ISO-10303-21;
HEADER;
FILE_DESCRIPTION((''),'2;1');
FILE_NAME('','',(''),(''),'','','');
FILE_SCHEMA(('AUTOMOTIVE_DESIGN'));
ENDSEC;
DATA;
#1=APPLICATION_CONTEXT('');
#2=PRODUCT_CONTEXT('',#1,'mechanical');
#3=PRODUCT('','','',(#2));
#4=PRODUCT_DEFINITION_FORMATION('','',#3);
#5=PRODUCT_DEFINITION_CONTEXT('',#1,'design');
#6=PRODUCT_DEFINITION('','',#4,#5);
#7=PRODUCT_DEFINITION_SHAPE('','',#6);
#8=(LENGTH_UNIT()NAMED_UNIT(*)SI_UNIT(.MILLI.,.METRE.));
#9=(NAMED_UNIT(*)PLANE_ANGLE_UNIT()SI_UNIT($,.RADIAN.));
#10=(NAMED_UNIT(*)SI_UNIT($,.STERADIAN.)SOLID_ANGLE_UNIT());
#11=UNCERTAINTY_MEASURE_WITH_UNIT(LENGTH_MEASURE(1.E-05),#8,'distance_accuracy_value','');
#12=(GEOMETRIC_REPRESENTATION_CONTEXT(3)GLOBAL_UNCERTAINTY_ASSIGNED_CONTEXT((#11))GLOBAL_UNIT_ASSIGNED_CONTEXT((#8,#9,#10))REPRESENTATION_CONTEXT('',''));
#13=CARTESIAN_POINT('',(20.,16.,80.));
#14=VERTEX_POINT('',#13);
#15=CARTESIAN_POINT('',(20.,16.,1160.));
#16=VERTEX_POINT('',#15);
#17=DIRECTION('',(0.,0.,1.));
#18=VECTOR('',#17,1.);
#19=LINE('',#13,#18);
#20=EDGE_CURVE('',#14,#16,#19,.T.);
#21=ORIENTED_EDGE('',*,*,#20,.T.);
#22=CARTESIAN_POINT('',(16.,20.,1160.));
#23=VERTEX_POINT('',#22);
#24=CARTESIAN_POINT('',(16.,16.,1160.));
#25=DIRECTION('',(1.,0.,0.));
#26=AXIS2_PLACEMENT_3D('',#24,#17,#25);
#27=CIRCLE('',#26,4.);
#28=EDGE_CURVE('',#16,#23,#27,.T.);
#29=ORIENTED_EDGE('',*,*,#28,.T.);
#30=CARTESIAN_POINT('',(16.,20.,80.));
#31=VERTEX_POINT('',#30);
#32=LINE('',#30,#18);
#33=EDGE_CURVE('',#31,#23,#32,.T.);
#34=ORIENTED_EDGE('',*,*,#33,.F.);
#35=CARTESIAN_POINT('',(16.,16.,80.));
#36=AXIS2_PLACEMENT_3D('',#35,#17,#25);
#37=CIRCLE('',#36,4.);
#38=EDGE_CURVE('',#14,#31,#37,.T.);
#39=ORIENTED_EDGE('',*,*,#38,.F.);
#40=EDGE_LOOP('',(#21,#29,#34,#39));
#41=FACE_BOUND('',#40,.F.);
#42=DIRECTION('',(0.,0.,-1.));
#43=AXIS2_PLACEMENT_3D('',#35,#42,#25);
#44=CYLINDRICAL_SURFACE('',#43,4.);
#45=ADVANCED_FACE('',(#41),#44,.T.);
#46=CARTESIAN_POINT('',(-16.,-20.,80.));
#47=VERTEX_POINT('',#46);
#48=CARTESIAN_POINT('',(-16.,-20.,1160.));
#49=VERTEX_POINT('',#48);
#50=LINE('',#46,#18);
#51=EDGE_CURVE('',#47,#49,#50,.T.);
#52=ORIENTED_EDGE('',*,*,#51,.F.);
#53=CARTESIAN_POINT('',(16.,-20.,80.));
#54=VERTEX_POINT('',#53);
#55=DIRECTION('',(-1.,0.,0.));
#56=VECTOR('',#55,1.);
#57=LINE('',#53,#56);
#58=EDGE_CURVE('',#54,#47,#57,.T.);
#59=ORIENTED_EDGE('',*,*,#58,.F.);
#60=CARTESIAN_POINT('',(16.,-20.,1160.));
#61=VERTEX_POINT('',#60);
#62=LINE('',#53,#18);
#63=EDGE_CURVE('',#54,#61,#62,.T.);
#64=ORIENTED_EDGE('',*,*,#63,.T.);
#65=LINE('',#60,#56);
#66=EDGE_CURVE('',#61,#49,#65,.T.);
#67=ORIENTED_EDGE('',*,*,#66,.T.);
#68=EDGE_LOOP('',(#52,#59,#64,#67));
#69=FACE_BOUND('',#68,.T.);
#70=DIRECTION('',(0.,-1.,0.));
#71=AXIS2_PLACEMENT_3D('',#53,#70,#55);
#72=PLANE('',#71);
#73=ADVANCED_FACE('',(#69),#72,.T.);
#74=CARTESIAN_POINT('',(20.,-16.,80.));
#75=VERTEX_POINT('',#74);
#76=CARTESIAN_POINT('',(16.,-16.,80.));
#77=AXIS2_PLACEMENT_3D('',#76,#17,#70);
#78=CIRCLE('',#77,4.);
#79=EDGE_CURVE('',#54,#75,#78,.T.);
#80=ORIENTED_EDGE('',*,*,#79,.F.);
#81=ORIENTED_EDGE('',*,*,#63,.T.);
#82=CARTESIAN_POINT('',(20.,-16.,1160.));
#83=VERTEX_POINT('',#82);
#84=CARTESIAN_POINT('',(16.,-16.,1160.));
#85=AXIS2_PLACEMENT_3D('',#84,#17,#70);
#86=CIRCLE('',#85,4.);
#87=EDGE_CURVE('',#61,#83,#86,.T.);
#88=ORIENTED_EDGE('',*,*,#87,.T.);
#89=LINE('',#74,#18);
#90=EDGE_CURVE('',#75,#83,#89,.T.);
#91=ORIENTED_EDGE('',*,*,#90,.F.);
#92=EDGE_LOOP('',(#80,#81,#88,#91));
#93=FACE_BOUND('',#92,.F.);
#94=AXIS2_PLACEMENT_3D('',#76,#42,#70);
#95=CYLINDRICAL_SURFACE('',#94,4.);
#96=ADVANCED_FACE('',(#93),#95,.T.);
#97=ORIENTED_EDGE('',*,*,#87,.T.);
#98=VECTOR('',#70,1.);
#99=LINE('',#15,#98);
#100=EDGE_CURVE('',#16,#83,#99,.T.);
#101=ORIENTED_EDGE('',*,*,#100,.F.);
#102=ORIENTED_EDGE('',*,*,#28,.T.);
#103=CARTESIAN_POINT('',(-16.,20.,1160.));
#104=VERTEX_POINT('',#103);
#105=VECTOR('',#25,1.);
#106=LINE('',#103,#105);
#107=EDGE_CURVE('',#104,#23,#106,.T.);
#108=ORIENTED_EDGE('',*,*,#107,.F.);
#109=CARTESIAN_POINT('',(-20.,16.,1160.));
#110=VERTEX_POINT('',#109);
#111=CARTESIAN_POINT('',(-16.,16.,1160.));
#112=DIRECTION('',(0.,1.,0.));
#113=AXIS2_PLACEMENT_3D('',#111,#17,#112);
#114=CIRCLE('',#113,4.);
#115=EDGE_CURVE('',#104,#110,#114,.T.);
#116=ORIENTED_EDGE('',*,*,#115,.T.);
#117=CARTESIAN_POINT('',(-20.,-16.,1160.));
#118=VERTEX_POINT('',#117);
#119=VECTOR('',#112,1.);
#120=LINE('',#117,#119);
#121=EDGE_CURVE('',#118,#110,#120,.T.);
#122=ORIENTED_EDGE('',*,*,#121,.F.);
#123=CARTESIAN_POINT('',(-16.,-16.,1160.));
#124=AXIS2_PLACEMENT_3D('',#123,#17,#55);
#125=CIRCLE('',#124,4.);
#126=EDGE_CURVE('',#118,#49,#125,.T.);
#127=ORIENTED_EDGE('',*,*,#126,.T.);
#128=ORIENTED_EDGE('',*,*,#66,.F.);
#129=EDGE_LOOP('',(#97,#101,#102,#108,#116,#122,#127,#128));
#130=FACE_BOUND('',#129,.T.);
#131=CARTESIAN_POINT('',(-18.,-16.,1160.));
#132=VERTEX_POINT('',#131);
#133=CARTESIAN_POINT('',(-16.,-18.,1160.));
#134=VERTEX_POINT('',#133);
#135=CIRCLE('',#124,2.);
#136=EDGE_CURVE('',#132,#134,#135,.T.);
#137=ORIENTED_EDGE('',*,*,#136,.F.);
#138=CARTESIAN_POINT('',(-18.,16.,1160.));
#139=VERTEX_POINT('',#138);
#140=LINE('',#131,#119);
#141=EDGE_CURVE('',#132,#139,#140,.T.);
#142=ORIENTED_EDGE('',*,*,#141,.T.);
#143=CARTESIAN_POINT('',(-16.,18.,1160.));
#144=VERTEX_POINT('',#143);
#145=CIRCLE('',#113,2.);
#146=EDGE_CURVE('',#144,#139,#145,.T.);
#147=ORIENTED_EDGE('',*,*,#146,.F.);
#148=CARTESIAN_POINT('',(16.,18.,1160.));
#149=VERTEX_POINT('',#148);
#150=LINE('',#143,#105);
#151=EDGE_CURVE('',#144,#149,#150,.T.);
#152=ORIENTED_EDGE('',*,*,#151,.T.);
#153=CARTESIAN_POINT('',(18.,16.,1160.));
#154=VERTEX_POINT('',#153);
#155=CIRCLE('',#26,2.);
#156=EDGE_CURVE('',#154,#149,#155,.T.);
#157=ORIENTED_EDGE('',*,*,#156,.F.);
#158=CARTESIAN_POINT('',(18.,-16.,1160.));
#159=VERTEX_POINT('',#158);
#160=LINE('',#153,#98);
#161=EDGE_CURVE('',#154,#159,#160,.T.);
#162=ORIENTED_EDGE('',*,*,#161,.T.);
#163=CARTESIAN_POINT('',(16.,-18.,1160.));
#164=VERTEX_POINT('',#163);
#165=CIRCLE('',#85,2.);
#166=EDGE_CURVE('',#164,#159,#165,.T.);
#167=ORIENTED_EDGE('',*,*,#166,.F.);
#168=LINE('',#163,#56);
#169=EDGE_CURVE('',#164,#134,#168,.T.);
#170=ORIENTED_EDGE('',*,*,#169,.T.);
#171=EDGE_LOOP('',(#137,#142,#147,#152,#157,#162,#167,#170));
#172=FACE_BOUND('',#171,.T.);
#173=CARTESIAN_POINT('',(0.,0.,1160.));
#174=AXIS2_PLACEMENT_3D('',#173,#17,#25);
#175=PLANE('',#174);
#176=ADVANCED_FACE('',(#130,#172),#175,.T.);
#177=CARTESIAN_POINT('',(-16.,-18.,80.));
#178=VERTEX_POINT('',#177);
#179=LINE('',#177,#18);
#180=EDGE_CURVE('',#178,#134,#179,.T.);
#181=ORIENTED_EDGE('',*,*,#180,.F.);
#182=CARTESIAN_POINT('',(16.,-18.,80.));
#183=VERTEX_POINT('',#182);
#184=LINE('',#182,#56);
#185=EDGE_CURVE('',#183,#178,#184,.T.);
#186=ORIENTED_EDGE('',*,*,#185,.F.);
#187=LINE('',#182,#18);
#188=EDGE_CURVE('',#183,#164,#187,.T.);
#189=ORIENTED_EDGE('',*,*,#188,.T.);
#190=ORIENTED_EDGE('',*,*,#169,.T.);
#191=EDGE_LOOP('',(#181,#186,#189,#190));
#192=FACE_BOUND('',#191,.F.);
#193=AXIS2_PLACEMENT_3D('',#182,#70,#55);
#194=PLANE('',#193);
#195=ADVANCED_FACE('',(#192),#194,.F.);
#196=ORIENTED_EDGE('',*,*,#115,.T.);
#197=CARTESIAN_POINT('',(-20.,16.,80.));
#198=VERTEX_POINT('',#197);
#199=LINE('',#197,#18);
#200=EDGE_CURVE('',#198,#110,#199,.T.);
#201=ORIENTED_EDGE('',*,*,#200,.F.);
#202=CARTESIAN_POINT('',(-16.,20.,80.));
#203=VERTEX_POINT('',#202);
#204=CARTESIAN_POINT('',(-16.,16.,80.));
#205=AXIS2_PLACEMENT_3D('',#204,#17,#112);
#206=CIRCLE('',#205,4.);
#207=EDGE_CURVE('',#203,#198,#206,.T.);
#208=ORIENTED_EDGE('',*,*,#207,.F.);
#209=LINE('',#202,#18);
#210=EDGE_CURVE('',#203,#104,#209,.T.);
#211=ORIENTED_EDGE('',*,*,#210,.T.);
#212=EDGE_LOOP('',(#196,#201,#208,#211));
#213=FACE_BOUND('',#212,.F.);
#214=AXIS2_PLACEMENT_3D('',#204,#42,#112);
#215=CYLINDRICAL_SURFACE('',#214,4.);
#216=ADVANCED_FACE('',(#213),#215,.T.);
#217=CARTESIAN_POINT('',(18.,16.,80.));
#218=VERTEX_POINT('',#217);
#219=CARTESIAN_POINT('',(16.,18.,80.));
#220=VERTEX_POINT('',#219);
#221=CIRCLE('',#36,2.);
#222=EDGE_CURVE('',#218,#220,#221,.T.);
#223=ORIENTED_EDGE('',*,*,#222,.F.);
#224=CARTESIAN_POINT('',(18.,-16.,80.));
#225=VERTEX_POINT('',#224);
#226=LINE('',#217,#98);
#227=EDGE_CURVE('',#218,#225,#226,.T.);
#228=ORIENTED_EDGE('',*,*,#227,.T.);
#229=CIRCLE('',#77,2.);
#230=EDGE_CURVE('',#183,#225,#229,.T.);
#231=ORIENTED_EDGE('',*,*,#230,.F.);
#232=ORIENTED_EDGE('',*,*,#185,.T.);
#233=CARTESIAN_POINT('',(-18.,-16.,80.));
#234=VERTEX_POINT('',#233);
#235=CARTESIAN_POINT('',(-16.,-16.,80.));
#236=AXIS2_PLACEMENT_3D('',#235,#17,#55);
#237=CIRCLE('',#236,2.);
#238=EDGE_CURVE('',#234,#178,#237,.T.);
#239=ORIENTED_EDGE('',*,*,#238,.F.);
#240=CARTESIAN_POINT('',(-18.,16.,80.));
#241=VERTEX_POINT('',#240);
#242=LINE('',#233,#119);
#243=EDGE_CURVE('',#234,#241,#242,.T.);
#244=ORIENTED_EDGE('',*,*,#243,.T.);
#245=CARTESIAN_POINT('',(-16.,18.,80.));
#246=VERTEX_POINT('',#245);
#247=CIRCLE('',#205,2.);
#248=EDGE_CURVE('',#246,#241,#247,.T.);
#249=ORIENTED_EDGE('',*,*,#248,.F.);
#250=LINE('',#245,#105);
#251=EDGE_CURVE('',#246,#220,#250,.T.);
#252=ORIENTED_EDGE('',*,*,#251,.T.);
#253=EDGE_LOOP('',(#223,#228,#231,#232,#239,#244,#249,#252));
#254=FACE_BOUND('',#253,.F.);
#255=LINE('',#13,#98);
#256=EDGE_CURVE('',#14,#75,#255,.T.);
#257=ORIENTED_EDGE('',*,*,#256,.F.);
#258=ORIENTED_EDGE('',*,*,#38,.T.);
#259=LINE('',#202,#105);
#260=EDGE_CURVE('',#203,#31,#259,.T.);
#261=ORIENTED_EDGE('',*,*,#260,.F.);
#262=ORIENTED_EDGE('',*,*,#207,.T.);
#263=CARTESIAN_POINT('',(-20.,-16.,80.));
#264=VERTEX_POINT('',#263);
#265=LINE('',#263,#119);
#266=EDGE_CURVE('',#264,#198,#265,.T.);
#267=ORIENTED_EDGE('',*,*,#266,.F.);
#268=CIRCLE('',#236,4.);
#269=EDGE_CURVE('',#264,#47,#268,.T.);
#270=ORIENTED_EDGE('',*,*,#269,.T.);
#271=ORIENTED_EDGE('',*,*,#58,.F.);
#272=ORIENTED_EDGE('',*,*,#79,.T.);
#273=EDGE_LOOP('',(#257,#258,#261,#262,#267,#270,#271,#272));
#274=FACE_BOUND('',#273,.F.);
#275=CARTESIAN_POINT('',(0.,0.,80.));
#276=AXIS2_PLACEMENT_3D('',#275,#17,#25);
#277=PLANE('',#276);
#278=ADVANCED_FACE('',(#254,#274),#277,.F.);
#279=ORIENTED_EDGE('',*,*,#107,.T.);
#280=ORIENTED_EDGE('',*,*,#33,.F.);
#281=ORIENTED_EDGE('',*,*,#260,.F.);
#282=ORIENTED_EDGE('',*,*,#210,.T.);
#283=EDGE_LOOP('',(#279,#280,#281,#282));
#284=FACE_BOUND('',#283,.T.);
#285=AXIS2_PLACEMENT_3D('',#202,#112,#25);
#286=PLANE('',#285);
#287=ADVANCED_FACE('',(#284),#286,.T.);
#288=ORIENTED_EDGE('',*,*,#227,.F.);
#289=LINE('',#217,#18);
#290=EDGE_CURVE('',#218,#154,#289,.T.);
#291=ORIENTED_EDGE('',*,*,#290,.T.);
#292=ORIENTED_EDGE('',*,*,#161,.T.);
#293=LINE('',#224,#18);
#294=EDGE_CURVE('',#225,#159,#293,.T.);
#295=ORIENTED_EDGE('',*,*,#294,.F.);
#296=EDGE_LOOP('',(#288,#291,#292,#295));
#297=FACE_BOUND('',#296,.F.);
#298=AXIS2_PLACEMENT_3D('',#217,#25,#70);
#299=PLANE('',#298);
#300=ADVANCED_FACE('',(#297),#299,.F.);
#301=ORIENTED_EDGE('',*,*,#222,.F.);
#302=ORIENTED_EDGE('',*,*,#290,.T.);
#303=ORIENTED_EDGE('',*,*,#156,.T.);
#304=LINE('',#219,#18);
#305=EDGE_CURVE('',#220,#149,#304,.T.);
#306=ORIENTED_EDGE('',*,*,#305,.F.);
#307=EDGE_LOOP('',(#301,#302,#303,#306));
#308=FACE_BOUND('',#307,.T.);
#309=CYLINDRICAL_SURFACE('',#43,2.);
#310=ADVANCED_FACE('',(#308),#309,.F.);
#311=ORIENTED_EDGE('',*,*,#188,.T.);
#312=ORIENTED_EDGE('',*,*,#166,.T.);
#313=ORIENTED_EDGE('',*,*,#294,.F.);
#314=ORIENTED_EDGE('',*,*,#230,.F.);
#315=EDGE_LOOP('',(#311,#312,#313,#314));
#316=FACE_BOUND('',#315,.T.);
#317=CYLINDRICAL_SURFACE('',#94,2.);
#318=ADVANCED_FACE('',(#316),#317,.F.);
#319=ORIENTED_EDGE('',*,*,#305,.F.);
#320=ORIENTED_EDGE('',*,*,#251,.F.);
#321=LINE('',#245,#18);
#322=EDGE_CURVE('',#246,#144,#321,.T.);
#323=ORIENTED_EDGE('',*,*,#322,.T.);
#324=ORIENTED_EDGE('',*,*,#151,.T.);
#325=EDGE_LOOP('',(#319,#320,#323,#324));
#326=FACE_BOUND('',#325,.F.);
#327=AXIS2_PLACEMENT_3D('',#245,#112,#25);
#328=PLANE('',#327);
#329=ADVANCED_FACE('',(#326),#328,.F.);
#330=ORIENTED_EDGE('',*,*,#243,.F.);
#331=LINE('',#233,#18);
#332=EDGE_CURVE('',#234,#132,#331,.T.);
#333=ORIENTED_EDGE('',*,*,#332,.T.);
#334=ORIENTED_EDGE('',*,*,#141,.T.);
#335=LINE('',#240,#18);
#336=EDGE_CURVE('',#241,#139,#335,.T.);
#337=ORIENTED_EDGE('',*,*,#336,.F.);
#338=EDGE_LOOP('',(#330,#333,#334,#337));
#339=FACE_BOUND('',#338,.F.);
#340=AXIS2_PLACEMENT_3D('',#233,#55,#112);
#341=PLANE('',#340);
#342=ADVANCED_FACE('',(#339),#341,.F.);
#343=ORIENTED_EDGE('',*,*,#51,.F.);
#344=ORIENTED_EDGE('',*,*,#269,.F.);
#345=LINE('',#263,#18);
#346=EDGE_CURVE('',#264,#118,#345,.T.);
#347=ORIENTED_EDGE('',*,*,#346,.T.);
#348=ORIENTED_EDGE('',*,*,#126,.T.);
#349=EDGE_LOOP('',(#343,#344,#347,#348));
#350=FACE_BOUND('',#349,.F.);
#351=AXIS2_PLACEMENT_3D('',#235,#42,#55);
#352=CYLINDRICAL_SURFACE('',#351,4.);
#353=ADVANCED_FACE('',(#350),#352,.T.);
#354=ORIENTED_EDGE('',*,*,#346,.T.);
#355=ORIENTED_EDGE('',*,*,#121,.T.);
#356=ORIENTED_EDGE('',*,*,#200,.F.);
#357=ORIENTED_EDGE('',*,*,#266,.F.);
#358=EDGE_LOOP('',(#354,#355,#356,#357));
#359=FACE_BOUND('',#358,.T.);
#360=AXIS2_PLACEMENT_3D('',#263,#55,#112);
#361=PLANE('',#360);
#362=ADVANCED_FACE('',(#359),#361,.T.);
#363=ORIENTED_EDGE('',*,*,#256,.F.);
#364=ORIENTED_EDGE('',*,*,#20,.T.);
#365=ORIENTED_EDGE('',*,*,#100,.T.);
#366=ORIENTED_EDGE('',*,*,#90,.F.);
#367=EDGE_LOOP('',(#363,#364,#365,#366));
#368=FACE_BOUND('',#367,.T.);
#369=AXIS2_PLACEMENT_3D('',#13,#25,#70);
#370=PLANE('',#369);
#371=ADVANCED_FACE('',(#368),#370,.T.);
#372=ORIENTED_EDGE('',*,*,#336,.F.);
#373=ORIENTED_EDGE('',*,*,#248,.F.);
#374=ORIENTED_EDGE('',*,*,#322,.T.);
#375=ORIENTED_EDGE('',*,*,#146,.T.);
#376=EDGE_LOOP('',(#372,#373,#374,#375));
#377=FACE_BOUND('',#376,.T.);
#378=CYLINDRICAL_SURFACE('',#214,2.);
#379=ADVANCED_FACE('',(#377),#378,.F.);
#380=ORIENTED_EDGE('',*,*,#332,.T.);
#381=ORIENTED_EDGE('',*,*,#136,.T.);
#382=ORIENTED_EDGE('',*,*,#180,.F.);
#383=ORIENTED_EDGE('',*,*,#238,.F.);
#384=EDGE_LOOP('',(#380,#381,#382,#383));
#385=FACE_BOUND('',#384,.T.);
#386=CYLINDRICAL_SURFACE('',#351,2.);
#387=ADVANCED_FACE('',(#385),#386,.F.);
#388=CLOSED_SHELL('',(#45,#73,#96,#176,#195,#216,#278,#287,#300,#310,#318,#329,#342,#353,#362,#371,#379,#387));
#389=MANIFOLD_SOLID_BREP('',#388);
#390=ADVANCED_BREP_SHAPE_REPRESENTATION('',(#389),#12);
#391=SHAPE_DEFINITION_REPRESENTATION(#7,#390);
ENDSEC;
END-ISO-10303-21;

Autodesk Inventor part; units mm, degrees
ref_plane "YZ Plane" through (0, 0, 0) normal (1, 0, 0) x (0, 1, 0)
ref_plane "Start Plane" through (0, 0, 80) normal (0, 0, 1) x (1, 0, 0)
ref_plane "End Plane" through (0, 0, 1160) normal (0, 0, 1) x (1, 0, 0)
sketch "Sketch" plane through (0, 0, 0) normal (0, 0, 1) x (1, 0, 0)
  line L0 (-20, -16) -> (-20, 16)
  line L1 (-16, 20) -> (16, 20)
  line L2 (20, 16) -> (20, -16)
  line L3 (16, -20) -> (-16, -20)
  arc A0 (-20, -16) -> (-16, -20) centre (-16, -16) ccw
  arc A1 (20, 16) -> (16, 20) centre (16, 16) ccw
  arc A2 (-16, 20) -> (-20, 16) centre (-16, 16) ccw
  arc A3 (16, -20) -> (20, -16) centre (16, -16) ccw
  arc A4 (-16, 18) -> (-18, 16) centre (-16, 16) ccw
  line L4 (-16, 18) -> (16, 18)
  arc A5 (18, 16) -> (16, 18) centre (16, 16) ccw
  line L5 (18, 16) -> (18, -16)
  arc A6 (16, -18) -> (18, -16) centre (16, -16) ccw
  line L6 (16, -18) -> (-16, -18)
  arc A7 (-18, -16) -> (-16, -18) centre (-16, -16) ccw
  line L7 (-18, -16) -> (-18, 16)
  line L8 (0, 29.1598) -> (0, -29.1598) construction
  line L9 (-29.1598, 0) -> (29.1598, 0) construction
  dimension "d7" = 4
  dimension "d9" = 40
  dimension "d11" = 40
  dimension "d12" = 2
  dimension "d15" = 20
  dimension "d16" = 20
extrude "Body" add sketch "Sketch" along normal up to surface (1080 mm away) from surface at 80
sketch "Sketch3" plane through (0, 0, 0) normal (0, 0, 1) x (1, 0, 0)
  line L0 (0, 0) -> (10, 0)
ref_plane "Work Plane3" through (0, 0, 0) normal (0, -1, 0) x (1, 0, 0)
sketch "Sketch4" plane through (0, 0, 0) normal (0, -1, 0) x (1, 0, 0)
  line L0 (-2, 80) -> (12, 80) projected
  line L1 (-2, 1160) -> (12, 1160) projected
  dimension "d18" = 1080
equation "\"d7\" = G_IR"
equation "\"d9\" = G_W"
equation "\"d11\" = G_H"
equation "\"d12\" = G_T"
equation "\"d15\" = 0.5 * d9"
equation "\"d16\" = 0.5 * d11"
equation "\"d3\" = G_L"
equation "\"G_W\" = 40"
equation "\"G_H\" = 40"
equation "\"G_T\" = 2"
equation "\"G_IR\" = 4"
equation "\"G_L\" = d18"
properties part number "ISO 10799-2 - 40x40x2 - 1080" material "Steel, Mild"
